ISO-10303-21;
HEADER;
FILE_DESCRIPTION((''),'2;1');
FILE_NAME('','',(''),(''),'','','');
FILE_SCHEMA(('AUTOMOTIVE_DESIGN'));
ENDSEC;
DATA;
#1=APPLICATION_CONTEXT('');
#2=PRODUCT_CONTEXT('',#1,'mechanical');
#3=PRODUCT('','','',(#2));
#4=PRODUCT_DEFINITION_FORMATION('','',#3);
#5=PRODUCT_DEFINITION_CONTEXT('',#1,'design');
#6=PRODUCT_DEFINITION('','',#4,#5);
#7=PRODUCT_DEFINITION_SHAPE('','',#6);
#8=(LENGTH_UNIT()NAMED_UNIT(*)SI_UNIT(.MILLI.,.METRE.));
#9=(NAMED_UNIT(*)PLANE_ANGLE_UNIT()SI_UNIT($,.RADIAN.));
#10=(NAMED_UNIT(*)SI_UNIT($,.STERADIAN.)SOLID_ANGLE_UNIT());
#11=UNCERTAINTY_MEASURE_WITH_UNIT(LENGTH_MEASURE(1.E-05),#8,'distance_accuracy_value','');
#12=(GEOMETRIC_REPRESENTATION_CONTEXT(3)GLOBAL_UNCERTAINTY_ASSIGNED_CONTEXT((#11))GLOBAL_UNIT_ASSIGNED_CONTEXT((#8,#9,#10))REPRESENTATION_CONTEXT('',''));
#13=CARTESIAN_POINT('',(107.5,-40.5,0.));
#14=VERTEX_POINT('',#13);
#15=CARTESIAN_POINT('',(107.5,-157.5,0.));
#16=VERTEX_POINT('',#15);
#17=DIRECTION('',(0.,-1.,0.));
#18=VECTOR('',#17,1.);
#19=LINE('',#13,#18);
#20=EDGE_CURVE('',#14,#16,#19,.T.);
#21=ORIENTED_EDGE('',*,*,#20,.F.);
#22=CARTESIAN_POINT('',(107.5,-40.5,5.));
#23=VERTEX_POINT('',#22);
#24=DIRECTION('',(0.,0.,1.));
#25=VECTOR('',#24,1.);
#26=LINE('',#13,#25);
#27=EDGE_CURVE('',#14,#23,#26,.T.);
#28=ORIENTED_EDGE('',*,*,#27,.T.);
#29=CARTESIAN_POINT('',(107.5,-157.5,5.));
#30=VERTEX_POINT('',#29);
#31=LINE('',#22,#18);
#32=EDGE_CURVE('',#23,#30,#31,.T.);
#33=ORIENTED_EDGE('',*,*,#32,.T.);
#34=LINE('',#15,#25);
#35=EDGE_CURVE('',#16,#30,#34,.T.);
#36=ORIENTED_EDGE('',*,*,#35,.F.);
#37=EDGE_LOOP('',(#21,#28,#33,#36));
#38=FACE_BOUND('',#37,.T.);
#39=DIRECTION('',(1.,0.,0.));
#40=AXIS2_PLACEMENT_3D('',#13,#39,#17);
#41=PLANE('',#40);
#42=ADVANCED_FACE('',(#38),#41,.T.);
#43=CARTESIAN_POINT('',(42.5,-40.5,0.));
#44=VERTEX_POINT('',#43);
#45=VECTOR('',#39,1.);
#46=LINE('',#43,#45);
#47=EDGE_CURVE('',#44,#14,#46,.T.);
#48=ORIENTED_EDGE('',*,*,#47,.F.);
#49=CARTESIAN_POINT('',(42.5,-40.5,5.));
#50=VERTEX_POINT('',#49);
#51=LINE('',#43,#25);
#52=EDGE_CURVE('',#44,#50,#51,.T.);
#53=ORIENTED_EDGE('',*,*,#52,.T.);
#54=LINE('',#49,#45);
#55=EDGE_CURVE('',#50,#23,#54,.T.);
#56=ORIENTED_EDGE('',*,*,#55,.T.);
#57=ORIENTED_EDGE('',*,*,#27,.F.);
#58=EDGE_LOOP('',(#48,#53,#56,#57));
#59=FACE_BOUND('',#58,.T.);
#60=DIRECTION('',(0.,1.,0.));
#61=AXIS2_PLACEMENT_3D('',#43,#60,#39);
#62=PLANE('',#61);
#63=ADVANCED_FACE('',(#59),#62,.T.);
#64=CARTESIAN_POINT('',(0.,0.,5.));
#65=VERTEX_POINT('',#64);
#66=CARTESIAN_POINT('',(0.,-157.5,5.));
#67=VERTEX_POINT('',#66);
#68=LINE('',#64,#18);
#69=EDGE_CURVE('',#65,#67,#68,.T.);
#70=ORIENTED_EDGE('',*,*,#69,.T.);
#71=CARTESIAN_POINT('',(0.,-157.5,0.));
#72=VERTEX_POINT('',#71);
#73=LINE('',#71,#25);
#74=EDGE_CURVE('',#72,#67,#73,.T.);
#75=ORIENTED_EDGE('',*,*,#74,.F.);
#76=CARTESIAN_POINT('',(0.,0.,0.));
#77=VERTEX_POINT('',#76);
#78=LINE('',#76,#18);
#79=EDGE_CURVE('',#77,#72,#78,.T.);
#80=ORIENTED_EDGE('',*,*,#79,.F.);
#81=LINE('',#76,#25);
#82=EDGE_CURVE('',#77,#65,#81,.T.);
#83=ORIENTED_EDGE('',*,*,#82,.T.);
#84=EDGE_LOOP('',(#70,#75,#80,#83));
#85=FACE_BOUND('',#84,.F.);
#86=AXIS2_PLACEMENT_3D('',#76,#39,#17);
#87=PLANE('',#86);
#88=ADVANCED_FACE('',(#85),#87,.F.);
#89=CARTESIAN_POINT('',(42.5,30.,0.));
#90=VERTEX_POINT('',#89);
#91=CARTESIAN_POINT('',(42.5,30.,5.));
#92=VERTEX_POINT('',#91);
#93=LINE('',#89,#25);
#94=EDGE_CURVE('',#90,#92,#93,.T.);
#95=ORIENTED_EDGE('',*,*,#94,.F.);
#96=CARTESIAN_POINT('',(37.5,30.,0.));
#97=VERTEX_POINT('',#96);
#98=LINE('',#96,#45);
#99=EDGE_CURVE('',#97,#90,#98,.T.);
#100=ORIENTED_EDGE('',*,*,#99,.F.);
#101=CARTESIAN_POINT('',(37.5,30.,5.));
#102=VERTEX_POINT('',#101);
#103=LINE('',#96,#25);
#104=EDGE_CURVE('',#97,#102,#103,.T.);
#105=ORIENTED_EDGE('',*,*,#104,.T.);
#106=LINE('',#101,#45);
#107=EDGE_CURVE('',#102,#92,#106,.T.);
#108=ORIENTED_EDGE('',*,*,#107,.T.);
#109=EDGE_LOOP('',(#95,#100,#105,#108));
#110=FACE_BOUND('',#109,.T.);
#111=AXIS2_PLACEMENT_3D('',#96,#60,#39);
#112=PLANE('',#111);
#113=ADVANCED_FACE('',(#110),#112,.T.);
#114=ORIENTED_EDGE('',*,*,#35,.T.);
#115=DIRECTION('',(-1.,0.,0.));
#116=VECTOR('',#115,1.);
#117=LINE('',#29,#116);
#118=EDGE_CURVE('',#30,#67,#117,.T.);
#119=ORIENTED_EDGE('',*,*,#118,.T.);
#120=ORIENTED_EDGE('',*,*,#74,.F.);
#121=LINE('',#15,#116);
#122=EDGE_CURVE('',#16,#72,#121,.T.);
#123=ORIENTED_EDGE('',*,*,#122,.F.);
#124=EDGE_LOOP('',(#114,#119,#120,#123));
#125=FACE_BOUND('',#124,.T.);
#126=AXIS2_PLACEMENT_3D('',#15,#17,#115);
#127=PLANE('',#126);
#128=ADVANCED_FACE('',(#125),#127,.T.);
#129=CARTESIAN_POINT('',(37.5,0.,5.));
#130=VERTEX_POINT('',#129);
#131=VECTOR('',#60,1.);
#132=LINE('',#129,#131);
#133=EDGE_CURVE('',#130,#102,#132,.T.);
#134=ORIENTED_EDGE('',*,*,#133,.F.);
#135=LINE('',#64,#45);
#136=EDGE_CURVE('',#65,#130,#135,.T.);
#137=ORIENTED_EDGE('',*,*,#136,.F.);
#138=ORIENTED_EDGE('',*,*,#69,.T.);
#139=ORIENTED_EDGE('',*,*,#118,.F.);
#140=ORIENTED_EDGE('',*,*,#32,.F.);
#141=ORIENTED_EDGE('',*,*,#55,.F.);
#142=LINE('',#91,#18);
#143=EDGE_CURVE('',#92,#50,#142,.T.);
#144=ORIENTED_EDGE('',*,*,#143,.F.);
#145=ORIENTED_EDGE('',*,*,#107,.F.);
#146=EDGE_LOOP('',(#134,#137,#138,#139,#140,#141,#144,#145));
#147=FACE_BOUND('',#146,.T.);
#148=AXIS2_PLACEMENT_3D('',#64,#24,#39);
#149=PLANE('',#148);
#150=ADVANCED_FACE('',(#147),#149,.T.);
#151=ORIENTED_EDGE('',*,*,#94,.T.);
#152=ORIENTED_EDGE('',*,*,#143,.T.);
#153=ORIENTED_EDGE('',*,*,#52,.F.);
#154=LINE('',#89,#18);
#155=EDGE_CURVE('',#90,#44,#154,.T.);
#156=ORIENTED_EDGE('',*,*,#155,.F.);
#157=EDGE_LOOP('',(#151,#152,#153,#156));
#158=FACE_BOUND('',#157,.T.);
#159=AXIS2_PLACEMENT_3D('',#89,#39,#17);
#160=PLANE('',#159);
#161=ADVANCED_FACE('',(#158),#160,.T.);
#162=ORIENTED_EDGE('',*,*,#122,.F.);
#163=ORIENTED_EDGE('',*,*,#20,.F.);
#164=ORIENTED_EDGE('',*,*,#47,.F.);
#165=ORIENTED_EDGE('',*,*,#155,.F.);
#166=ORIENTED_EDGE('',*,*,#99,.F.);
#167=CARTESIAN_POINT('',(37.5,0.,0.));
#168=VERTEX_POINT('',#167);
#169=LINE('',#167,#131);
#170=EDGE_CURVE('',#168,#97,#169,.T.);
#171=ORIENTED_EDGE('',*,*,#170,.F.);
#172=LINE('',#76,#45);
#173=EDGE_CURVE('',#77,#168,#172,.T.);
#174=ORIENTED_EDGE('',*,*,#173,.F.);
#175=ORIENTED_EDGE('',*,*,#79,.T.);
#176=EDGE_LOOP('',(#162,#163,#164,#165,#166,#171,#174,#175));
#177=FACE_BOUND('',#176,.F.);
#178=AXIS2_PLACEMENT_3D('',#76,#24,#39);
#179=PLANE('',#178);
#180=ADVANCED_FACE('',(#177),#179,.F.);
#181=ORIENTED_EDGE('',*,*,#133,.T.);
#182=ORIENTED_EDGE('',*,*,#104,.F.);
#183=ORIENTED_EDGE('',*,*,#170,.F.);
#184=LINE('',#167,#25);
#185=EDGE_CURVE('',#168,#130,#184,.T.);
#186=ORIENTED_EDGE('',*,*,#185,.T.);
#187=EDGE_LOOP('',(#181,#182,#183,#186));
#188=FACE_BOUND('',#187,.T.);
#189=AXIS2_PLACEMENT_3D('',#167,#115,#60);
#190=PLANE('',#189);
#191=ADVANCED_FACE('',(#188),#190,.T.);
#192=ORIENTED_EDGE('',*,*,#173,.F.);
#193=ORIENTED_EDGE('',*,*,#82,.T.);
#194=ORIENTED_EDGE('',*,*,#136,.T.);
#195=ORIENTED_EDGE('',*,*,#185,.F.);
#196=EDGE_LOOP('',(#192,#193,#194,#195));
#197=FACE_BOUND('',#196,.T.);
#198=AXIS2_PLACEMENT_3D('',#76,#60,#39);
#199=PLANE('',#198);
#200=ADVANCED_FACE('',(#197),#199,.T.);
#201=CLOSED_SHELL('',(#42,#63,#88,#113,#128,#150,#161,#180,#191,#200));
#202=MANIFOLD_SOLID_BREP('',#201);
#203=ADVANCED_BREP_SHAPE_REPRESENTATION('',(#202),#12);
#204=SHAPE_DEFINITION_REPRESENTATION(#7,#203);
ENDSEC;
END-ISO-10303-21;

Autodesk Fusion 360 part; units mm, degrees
sketch "Sketch1" plane through (0, 0, 0) normal (0, 0, 1) x (1, 0, 0)
  line L0 (0, 0) -> (37.5, 0)
  line L1 (37.5, 0) -> (37.5, 30)
  line L2 (0, 0) -> (37.5, 0) construction
  line L3 (37.5, 30) -> (42.5, 30)
  line L4 (42.5, 30) -> (42.5, -40.5)
  line L5 (42.5, -40.5) -> (107.5, -40.5)
  line L6 (107.5, -40.5) -> (107.5, -157.5)
  line L7 (107.5, -157.5) -> (0, -157.5)
  line L8 (0, 0) -> (0, -157.5)
  dimension "d1" = 37.5
  dimension "d2" = 30
  dimension "d3" = 5
  dimension "d4" = 70.5
  dimension "d5" = 65
  dimension "d6" = 117
  dimension "d7" = 107.5
  dimension "d8" = 187.5
extrude "Extrude1" add sketch "Sketch1" along normal blind 5
equation "d1 = ( 75 / 2 ) * 1 mm"
equation "d5 = 20 mm + ( 15 * 3 ) * 1 mm"
equation "d6 = 67 mm + 20 mm + ( 10 * 3 ) * 1 mm"
equation "d7 = d1 + d3 + d5"
